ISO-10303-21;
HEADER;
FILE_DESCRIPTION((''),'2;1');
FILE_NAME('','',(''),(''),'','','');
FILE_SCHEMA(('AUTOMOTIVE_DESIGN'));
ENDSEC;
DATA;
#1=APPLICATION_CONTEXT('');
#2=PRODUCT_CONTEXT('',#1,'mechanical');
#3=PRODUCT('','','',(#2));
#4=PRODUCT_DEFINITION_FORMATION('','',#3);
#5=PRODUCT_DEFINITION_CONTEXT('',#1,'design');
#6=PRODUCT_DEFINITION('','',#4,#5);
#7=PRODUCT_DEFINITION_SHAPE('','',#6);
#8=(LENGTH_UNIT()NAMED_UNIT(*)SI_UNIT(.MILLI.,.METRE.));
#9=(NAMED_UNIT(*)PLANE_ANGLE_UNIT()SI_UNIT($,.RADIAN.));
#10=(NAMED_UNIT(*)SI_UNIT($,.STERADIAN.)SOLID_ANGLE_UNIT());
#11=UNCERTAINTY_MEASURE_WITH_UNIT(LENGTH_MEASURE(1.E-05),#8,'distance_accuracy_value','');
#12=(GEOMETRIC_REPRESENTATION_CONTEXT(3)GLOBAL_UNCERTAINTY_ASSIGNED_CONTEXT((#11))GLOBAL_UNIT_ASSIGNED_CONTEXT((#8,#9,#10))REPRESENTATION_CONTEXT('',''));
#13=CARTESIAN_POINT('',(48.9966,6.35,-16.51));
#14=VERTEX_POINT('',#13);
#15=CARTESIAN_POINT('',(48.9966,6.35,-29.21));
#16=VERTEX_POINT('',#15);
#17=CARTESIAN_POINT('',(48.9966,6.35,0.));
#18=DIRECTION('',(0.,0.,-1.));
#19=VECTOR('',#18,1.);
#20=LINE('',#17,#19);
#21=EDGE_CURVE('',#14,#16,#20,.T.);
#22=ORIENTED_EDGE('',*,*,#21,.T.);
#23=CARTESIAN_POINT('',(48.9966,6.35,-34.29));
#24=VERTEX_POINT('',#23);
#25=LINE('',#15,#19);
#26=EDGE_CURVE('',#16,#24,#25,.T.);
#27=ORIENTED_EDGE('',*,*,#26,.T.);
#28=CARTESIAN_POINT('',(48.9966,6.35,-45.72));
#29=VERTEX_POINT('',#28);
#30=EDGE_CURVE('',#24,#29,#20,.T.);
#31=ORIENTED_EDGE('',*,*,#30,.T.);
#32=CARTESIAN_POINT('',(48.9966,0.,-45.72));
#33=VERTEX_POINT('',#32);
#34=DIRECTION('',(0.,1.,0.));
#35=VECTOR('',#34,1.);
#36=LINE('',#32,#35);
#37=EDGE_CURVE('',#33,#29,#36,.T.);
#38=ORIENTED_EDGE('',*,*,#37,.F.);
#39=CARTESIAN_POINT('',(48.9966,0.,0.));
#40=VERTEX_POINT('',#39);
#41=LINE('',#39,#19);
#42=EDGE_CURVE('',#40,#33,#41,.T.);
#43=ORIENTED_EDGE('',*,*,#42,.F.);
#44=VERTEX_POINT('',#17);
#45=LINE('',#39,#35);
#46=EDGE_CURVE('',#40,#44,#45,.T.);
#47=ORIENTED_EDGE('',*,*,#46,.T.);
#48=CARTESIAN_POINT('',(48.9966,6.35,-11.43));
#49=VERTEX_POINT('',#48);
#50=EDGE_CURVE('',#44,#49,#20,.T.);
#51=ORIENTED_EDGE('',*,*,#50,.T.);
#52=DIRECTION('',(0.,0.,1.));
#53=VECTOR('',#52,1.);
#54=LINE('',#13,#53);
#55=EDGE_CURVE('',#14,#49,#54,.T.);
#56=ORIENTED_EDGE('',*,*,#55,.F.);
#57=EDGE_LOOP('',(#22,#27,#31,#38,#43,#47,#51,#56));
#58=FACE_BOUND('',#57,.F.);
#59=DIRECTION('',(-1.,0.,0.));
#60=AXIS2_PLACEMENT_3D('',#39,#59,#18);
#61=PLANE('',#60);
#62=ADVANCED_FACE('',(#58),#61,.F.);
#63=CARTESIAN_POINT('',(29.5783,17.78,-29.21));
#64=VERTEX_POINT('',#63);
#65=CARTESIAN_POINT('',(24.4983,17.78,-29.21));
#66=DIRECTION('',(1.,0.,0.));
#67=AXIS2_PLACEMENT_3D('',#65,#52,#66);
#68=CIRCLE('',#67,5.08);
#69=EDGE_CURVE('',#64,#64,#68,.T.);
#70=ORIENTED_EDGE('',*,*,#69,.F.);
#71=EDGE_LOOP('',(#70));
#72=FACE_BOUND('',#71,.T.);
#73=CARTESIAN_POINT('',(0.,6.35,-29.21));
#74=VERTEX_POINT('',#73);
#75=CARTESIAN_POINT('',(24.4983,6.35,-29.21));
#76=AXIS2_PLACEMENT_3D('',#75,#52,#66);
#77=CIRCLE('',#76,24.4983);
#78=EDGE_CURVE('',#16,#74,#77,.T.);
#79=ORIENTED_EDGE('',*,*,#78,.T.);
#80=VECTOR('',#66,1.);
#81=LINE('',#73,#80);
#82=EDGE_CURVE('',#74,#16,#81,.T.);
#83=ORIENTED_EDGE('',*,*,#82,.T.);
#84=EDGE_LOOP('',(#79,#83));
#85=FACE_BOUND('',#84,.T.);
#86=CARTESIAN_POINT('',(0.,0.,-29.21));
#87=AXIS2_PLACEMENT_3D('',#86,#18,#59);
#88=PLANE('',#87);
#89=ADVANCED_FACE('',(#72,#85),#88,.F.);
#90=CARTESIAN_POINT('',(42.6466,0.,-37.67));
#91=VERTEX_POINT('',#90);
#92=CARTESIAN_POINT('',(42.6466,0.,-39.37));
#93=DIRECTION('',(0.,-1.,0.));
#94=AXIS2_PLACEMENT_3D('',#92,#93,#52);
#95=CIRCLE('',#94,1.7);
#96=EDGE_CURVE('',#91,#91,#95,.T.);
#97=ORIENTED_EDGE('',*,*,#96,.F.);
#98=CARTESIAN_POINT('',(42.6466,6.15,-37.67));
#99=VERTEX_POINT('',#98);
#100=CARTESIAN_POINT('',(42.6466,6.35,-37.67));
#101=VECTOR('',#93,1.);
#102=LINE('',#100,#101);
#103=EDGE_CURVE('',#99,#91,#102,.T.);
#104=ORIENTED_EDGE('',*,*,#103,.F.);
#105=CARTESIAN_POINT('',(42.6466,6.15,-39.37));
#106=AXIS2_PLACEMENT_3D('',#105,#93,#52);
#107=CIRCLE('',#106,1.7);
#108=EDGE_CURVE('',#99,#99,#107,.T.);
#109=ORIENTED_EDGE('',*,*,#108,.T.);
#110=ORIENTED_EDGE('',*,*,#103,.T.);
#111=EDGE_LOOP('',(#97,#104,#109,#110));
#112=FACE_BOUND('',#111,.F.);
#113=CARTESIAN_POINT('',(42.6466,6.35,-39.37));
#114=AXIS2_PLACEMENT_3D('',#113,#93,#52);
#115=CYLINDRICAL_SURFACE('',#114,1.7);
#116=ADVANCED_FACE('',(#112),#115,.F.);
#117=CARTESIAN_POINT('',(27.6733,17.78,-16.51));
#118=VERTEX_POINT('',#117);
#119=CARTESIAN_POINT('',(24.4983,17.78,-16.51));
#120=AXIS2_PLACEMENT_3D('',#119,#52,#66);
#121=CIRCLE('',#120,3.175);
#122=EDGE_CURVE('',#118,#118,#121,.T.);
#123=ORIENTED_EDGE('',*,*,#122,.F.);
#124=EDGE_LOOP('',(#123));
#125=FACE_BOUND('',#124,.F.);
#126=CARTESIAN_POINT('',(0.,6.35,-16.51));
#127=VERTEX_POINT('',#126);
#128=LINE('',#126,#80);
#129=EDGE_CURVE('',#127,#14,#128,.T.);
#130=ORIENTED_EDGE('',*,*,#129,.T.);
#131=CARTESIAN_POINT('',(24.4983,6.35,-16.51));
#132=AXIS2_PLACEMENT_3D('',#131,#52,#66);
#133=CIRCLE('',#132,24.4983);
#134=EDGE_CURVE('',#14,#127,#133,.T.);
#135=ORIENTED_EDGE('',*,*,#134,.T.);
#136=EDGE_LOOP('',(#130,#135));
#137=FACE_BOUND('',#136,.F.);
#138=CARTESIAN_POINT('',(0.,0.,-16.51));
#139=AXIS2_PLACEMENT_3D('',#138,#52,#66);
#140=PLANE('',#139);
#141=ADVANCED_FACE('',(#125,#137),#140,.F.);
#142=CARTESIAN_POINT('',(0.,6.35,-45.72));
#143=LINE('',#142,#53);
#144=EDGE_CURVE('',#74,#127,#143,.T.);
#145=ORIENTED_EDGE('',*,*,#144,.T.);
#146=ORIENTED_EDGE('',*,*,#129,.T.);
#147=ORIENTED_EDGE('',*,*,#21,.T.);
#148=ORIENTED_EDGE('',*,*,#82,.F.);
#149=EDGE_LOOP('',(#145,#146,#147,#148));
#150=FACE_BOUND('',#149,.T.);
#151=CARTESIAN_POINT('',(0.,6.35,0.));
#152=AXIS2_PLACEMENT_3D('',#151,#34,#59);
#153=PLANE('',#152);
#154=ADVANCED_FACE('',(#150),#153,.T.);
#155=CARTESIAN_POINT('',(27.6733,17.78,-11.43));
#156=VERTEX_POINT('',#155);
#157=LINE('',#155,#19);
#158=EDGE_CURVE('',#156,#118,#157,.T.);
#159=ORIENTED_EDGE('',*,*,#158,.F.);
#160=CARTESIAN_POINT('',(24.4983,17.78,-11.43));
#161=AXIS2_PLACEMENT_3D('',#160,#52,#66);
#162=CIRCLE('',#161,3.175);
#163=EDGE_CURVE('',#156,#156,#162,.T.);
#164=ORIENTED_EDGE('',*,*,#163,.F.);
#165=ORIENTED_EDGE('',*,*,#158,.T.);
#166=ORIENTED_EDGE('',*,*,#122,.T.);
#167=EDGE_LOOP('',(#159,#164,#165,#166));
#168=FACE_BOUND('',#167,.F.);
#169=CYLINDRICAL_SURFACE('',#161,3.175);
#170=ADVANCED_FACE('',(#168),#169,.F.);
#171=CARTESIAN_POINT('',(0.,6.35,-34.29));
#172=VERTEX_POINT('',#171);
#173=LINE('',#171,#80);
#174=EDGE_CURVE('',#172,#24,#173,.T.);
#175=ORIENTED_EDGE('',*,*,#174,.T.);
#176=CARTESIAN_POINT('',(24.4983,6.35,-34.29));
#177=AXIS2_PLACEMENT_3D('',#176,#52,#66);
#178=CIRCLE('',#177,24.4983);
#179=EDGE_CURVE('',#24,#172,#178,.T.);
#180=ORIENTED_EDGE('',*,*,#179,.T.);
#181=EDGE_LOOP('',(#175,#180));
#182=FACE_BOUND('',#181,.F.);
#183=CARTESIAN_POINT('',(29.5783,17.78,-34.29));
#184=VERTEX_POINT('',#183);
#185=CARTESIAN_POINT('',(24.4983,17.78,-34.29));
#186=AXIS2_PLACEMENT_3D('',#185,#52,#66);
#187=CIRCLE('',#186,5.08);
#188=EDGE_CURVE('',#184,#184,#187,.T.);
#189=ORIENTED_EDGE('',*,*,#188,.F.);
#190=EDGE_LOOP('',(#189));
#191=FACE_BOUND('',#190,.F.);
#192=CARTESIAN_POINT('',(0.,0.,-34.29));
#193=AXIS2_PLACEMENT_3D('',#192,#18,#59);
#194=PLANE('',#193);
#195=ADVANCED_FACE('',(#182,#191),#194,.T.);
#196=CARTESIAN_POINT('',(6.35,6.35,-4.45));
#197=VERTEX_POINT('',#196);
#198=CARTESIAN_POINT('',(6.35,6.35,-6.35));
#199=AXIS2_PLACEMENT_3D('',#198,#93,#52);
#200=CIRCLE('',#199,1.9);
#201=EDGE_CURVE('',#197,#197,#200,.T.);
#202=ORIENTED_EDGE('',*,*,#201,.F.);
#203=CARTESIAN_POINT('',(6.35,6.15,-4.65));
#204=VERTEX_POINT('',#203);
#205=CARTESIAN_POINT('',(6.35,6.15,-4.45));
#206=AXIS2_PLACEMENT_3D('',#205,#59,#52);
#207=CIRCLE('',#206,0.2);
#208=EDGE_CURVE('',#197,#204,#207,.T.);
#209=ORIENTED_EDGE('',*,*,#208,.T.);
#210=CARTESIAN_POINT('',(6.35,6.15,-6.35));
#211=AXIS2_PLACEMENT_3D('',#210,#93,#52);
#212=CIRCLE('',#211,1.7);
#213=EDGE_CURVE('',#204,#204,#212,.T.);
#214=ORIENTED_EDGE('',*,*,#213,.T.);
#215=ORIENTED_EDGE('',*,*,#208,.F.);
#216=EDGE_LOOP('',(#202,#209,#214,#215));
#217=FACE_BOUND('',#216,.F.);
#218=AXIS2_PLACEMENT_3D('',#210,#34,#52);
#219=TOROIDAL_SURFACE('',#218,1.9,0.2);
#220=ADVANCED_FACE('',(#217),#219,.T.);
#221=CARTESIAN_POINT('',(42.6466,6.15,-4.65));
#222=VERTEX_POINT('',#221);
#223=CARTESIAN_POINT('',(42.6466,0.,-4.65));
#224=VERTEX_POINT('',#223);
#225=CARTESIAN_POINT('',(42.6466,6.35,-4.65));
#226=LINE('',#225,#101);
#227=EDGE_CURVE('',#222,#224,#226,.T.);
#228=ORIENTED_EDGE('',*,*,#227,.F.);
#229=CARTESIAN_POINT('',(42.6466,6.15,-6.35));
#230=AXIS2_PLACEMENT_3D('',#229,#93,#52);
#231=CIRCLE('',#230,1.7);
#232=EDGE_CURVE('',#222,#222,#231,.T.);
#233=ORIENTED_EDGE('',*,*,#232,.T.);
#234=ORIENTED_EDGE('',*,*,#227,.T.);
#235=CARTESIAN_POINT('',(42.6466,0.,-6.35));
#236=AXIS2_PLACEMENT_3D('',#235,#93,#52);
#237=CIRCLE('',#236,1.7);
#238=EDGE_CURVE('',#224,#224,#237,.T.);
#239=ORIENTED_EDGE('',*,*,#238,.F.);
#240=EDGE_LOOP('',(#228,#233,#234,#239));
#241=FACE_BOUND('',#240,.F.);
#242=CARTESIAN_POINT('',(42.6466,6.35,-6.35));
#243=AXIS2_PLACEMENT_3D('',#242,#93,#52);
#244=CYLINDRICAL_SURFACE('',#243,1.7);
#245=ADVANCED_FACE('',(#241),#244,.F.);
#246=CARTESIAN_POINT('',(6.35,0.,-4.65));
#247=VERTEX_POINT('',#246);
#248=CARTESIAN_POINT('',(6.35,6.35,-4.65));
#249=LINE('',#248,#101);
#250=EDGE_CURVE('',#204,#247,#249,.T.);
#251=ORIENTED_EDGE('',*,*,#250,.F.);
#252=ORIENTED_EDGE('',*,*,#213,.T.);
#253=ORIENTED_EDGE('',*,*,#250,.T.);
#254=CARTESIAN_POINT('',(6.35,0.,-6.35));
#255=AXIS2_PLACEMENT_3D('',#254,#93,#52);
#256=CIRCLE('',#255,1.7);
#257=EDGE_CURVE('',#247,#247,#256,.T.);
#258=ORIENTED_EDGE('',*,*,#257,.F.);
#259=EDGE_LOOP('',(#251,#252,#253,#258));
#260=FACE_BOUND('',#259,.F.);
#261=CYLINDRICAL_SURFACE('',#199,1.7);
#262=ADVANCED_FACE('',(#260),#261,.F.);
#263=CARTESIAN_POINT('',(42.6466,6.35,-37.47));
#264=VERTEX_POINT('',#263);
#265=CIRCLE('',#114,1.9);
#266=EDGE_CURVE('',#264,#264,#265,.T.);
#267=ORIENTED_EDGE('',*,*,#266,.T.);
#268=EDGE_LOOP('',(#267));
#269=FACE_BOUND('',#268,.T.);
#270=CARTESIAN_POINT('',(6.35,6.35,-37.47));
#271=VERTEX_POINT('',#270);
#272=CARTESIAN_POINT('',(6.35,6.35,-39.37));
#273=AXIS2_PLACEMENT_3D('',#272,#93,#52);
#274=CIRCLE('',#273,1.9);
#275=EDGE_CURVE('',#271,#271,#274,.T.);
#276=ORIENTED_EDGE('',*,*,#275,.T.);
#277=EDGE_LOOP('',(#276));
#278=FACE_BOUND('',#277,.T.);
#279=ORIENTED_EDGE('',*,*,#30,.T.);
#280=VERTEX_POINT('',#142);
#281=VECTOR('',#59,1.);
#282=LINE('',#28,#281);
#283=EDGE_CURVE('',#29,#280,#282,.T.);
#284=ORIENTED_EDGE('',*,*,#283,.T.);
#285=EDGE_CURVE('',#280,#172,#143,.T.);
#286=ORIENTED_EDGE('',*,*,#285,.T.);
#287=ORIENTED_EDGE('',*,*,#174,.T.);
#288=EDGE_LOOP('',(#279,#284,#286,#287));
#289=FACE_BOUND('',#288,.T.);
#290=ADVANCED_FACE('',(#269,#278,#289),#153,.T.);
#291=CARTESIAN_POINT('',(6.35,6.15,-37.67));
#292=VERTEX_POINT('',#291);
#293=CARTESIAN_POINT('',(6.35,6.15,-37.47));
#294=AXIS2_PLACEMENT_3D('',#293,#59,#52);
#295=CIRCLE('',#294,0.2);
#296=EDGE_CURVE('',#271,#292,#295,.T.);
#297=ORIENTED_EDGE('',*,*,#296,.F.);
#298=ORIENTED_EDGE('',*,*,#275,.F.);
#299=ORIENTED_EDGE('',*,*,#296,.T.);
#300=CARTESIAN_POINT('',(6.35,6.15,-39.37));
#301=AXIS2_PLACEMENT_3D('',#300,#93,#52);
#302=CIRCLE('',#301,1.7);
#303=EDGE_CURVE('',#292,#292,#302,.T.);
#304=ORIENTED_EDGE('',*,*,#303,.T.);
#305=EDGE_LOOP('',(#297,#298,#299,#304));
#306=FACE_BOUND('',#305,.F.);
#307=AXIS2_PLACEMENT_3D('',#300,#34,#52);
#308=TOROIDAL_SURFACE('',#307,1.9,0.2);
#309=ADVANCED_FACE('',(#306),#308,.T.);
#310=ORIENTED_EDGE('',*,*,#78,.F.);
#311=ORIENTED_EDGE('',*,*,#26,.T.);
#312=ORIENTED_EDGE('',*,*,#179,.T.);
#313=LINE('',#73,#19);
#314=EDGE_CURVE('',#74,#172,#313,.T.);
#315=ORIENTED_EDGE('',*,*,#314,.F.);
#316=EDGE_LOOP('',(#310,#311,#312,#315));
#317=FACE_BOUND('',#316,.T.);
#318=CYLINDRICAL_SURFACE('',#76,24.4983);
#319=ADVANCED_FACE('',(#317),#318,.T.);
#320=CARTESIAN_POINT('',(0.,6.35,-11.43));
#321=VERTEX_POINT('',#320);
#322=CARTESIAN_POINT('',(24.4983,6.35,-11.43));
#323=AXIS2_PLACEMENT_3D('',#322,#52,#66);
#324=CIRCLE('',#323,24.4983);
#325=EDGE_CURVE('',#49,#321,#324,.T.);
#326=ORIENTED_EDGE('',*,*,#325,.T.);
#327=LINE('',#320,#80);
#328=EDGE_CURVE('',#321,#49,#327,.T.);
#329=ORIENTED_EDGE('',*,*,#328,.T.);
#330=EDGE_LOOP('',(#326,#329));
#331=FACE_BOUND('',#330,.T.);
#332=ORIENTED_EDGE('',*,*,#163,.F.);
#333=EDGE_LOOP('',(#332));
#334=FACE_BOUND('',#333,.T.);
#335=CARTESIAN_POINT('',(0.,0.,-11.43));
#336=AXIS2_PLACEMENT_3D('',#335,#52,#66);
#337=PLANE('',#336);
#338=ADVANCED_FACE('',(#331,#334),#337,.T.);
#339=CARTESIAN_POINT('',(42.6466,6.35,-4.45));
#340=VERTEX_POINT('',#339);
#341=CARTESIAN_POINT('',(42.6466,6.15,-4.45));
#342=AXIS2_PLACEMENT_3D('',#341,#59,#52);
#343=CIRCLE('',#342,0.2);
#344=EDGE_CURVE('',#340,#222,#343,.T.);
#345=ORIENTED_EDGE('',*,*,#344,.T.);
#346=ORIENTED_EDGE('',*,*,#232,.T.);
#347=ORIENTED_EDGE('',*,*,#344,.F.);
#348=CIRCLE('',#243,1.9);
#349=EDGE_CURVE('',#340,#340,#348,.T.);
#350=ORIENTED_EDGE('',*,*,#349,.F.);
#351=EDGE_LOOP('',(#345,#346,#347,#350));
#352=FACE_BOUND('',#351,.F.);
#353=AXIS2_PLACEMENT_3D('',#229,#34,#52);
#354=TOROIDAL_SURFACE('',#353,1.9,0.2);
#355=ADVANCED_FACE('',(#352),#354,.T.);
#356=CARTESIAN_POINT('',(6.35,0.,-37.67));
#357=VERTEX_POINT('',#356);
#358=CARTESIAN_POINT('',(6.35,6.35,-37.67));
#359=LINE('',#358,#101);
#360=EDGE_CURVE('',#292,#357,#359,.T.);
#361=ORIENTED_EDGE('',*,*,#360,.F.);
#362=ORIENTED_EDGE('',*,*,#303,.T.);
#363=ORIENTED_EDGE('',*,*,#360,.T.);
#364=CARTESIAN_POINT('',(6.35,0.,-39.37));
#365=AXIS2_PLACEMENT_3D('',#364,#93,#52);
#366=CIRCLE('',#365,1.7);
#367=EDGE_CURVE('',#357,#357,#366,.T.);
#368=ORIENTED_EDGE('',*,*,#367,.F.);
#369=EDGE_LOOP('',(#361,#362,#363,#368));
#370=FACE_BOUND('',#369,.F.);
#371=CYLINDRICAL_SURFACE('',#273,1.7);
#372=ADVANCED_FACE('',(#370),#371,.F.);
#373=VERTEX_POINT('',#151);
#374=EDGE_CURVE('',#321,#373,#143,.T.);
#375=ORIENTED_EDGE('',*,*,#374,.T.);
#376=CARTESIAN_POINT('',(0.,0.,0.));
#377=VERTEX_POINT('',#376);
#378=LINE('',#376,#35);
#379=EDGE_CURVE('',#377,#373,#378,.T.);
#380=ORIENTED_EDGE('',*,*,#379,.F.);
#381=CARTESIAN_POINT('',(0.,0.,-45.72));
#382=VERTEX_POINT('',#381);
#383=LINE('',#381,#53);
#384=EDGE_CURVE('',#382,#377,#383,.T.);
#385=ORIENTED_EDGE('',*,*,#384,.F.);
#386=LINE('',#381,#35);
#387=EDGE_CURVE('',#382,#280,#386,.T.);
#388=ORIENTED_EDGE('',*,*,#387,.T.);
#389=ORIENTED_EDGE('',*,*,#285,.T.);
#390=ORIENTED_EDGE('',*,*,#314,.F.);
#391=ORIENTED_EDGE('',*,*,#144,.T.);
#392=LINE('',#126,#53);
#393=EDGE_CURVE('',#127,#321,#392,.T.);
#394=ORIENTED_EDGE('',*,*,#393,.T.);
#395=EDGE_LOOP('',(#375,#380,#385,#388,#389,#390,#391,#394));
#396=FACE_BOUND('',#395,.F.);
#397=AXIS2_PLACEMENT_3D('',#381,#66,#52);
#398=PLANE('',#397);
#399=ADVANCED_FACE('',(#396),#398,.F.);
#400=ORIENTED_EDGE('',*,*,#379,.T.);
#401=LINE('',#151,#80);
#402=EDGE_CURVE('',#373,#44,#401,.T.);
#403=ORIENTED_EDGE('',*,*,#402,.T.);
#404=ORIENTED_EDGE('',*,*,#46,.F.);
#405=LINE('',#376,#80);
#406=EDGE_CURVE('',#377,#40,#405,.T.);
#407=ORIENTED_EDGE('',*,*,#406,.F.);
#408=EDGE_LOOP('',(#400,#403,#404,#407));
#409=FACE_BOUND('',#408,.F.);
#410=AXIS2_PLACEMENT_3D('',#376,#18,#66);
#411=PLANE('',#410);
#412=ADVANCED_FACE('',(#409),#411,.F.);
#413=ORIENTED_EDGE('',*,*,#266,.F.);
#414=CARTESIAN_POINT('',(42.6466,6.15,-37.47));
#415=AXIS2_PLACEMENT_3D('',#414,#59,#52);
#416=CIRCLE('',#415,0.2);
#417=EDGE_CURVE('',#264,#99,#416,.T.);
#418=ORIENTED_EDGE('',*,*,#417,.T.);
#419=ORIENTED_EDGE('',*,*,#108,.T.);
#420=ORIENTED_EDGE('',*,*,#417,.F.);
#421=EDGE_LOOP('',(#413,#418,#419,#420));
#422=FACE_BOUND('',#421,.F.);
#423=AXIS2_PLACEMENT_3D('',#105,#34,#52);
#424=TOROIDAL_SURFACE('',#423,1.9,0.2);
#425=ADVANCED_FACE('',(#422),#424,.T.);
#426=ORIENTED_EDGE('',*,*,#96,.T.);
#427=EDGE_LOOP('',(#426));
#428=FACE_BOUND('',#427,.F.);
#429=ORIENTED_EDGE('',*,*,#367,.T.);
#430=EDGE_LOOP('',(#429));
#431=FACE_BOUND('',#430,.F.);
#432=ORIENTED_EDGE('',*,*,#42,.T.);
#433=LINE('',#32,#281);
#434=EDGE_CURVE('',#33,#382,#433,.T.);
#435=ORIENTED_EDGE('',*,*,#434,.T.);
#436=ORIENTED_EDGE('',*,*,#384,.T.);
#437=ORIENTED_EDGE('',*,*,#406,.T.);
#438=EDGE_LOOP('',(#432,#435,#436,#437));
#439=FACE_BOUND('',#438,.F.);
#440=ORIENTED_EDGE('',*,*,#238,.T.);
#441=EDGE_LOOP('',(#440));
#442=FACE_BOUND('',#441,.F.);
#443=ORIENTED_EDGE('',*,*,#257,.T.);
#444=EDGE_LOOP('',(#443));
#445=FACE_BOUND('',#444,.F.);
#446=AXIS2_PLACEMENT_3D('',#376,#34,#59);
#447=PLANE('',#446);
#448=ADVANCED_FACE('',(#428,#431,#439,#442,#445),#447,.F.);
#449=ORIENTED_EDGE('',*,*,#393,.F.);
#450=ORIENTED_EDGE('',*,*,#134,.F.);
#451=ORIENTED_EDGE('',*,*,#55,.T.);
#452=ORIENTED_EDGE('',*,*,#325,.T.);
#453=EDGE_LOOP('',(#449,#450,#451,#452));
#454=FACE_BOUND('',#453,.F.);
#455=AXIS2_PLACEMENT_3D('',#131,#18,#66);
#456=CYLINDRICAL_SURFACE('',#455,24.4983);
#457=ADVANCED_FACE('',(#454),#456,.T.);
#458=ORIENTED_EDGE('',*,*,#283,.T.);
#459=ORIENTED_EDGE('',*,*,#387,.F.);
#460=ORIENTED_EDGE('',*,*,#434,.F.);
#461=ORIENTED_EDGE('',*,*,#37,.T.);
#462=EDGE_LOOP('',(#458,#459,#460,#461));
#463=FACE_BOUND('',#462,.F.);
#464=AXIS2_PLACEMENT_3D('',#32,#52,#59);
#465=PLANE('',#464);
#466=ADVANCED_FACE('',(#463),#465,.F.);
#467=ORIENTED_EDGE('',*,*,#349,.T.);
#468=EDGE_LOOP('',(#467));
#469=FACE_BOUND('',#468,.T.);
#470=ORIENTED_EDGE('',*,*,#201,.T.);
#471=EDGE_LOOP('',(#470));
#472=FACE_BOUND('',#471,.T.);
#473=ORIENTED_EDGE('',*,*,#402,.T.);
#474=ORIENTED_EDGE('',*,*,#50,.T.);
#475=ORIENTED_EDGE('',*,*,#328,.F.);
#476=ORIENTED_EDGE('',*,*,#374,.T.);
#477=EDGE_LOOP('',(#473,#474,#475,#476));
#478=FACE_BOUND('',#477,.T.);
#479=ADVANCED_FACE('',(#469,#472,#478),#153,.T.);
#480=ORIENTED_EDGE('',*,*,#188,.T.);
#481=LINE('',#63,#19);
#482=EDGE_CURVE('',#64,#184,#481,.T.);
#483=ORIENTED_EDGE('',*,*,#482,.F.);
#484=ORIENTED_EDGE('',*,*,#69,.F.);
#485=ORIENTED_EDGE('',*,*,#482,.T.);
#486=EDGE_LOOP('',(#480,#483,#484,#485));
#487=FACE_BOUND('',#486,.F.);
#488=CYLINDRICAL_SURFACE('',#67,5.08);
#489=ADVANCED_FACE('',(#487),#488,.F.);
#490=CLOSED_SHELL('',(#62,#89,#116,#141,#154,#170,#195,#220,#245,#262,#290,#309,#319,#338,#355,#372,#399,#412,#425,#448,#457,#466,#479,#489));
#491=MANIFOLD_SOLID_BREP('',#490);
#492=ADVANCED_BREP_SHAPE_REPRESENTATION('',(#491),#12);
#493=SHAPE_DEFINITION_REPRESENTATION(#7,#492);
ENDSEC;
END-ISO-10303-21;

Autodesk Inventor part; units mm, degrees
ref_plane "YZ Plane" through (0, 0, 0) normal (1, 0, 0) x (0, 1, 0)
sketch "Sketch1" plane through (0, 0, 0) normal (0, 1, 0) x (-1, 0, 0)
  line L0 (0, 0) -> (-48.9966, 0)
  line L1 (-48.9966, 0) -> (-48.9966, -45.72)
  line L2 (-48.9966, -45.72) -> (0, -45.72)
  line L3 (0, -45.72) -> (0, 0)
  dimension "d0" = 48.9966
  dimension "d1" = 45.72
extrude "Extrusion1" add sketch "Sketch1" along normal blind 6.35
sketch "Sketch3" plane through (0, 6.35, 0) normal (0, 1, 0) x (1, 0, 0)
  line L0 (0, 45.72) -> (0, 0) projected
  line L1 (48.9966, 0) -> (48.9966, 45.72) projected
  line L2 (0, 29.21) -> (48.9966, 29.21)
  line L3 (48.9966, 29.21) -> (48.9966, 16.51)
  line L4 (48.9966, 16.51) -> (0, 16.51)
  line L5 (0, 16.51) -> (0, 29.21)
  line L6 (48.9966, 45.72) -> (0, 45.72) projected
  dimension "d4" = 12.7
  dimension "d5" = 16.51
sketch "Sketch4" plane through (0, 6.35, 0) normal (0, 1, 0) x (1, 0, 0)
  circle A0 centre (6.35, 39.37) radius 2.1364
  circle A1 centre (42.6466, 39.37) radius 3.0733
  line L0 (48.9966, 45.72) -> (0, 45.72) projected
  line L1 (48.9966, 0) -> (48.9966, 45.72) projected
  line L2 (0, 45.72) -> (0, 0) projected
  circle A2 centre (6.35, 6.35) radius 2.2799
  circle A3 centre (42.6466, 6.35) radius 1.194
  line L3 (0, 0) -> (48.9966, 0) projected
  dimension "d6" = 6.1465
  dimension "d7" = 6.35
  dimension "d8" = 6.35
  dimension "d9" = 6.35
  dimension "d10" = 6.35
  dimension "d11" = 6.35
  dimension "d12" = 6.35
  dimension "d13" = 6.35
  dimension "d14" = 6.35
hole "Hole1" at (6.35, 6.35, -39.37) at (42.6466, 6.35, -39.37) at (42.6466, 6.35, -6.35) at (6.35, 6.35, -6.35) direction (0, -1, 0) diameter 3.4 depth 10 tip angle 118 clearance for "Socket Head Cap Screw" size "M3" standard "Ansi Metric M Profile"
fillet "Fillet1" radius 0.2 4 edges at (42.6466, 6.35, -41.07) (6.35, 6.35, -41.07) (42.6466, 6.35, -8.05) (6.35, 6.35, -8.05)
ref_plane "Work Plane1" through (0, 0, -16.51) normal (0, 0, 1) x (1, 0, 0)
sketch "Sketch5" plane through (0, 0, -16.51) normal (0, 0, 1) x (1, 0, 0)
  line L0 (0, 6.35) -> (48.9966, 6.35)
  line L1 (48.9966, 6.35) -> (0, 6.35) projected
  arc A0 (48.9966, 6.35) -> (0, 6.35) centre (24.4983, 6.35) ccw
  point P0 (0, 0)
extrude "Extrusion2" add sketch "Sketch5" along normal blind 5.08
ref_plane "Work Plane2" through (0, 0, -22.86) normal (0, 0, 1) x (1, 0, 0)
mirror "Mirror1" about plane through (0, 0, -22.86) normal (0, 0, 1) of "Extrusion2"
sketch "Sketch6" plane through (0, 0, -11.43) normal (0, 0, 1) x (1, 0, 0)
  circle A0 centre (24.4983, 17.78) radius 3.175
  line L0 (0, 6.35) -> (48.9966, 6.35) projected
  point P0 (0, 0)
  point P1 (24.4983, 6.35)
  point P2 (24.4983, 6.35)
  dimension "d27" = 11.43
  dimension "d28" = 6.35
extrude "Extrusion3" cut sketch "Sketch6" against normal up to surface (5.08 mm away)
sketch "Sketch8" plane through (24.4983, 6.35, -29.21) normal (0, 0, 1) x (1, 0, 0)
  circle A0 centre (0, 11.43) radius 3.175 projected
  circle A1 centre (0, 11.43) radius 5.08
  point P0 (-24.4983, -6.35)
  dimension "d34" = 10.16
extrude "Extrusion5" cut sketch "Sketch8" against normal blind 25.4 contours A0 | A1
properties part number "Carriage Top" material "Aluminum 6061"
